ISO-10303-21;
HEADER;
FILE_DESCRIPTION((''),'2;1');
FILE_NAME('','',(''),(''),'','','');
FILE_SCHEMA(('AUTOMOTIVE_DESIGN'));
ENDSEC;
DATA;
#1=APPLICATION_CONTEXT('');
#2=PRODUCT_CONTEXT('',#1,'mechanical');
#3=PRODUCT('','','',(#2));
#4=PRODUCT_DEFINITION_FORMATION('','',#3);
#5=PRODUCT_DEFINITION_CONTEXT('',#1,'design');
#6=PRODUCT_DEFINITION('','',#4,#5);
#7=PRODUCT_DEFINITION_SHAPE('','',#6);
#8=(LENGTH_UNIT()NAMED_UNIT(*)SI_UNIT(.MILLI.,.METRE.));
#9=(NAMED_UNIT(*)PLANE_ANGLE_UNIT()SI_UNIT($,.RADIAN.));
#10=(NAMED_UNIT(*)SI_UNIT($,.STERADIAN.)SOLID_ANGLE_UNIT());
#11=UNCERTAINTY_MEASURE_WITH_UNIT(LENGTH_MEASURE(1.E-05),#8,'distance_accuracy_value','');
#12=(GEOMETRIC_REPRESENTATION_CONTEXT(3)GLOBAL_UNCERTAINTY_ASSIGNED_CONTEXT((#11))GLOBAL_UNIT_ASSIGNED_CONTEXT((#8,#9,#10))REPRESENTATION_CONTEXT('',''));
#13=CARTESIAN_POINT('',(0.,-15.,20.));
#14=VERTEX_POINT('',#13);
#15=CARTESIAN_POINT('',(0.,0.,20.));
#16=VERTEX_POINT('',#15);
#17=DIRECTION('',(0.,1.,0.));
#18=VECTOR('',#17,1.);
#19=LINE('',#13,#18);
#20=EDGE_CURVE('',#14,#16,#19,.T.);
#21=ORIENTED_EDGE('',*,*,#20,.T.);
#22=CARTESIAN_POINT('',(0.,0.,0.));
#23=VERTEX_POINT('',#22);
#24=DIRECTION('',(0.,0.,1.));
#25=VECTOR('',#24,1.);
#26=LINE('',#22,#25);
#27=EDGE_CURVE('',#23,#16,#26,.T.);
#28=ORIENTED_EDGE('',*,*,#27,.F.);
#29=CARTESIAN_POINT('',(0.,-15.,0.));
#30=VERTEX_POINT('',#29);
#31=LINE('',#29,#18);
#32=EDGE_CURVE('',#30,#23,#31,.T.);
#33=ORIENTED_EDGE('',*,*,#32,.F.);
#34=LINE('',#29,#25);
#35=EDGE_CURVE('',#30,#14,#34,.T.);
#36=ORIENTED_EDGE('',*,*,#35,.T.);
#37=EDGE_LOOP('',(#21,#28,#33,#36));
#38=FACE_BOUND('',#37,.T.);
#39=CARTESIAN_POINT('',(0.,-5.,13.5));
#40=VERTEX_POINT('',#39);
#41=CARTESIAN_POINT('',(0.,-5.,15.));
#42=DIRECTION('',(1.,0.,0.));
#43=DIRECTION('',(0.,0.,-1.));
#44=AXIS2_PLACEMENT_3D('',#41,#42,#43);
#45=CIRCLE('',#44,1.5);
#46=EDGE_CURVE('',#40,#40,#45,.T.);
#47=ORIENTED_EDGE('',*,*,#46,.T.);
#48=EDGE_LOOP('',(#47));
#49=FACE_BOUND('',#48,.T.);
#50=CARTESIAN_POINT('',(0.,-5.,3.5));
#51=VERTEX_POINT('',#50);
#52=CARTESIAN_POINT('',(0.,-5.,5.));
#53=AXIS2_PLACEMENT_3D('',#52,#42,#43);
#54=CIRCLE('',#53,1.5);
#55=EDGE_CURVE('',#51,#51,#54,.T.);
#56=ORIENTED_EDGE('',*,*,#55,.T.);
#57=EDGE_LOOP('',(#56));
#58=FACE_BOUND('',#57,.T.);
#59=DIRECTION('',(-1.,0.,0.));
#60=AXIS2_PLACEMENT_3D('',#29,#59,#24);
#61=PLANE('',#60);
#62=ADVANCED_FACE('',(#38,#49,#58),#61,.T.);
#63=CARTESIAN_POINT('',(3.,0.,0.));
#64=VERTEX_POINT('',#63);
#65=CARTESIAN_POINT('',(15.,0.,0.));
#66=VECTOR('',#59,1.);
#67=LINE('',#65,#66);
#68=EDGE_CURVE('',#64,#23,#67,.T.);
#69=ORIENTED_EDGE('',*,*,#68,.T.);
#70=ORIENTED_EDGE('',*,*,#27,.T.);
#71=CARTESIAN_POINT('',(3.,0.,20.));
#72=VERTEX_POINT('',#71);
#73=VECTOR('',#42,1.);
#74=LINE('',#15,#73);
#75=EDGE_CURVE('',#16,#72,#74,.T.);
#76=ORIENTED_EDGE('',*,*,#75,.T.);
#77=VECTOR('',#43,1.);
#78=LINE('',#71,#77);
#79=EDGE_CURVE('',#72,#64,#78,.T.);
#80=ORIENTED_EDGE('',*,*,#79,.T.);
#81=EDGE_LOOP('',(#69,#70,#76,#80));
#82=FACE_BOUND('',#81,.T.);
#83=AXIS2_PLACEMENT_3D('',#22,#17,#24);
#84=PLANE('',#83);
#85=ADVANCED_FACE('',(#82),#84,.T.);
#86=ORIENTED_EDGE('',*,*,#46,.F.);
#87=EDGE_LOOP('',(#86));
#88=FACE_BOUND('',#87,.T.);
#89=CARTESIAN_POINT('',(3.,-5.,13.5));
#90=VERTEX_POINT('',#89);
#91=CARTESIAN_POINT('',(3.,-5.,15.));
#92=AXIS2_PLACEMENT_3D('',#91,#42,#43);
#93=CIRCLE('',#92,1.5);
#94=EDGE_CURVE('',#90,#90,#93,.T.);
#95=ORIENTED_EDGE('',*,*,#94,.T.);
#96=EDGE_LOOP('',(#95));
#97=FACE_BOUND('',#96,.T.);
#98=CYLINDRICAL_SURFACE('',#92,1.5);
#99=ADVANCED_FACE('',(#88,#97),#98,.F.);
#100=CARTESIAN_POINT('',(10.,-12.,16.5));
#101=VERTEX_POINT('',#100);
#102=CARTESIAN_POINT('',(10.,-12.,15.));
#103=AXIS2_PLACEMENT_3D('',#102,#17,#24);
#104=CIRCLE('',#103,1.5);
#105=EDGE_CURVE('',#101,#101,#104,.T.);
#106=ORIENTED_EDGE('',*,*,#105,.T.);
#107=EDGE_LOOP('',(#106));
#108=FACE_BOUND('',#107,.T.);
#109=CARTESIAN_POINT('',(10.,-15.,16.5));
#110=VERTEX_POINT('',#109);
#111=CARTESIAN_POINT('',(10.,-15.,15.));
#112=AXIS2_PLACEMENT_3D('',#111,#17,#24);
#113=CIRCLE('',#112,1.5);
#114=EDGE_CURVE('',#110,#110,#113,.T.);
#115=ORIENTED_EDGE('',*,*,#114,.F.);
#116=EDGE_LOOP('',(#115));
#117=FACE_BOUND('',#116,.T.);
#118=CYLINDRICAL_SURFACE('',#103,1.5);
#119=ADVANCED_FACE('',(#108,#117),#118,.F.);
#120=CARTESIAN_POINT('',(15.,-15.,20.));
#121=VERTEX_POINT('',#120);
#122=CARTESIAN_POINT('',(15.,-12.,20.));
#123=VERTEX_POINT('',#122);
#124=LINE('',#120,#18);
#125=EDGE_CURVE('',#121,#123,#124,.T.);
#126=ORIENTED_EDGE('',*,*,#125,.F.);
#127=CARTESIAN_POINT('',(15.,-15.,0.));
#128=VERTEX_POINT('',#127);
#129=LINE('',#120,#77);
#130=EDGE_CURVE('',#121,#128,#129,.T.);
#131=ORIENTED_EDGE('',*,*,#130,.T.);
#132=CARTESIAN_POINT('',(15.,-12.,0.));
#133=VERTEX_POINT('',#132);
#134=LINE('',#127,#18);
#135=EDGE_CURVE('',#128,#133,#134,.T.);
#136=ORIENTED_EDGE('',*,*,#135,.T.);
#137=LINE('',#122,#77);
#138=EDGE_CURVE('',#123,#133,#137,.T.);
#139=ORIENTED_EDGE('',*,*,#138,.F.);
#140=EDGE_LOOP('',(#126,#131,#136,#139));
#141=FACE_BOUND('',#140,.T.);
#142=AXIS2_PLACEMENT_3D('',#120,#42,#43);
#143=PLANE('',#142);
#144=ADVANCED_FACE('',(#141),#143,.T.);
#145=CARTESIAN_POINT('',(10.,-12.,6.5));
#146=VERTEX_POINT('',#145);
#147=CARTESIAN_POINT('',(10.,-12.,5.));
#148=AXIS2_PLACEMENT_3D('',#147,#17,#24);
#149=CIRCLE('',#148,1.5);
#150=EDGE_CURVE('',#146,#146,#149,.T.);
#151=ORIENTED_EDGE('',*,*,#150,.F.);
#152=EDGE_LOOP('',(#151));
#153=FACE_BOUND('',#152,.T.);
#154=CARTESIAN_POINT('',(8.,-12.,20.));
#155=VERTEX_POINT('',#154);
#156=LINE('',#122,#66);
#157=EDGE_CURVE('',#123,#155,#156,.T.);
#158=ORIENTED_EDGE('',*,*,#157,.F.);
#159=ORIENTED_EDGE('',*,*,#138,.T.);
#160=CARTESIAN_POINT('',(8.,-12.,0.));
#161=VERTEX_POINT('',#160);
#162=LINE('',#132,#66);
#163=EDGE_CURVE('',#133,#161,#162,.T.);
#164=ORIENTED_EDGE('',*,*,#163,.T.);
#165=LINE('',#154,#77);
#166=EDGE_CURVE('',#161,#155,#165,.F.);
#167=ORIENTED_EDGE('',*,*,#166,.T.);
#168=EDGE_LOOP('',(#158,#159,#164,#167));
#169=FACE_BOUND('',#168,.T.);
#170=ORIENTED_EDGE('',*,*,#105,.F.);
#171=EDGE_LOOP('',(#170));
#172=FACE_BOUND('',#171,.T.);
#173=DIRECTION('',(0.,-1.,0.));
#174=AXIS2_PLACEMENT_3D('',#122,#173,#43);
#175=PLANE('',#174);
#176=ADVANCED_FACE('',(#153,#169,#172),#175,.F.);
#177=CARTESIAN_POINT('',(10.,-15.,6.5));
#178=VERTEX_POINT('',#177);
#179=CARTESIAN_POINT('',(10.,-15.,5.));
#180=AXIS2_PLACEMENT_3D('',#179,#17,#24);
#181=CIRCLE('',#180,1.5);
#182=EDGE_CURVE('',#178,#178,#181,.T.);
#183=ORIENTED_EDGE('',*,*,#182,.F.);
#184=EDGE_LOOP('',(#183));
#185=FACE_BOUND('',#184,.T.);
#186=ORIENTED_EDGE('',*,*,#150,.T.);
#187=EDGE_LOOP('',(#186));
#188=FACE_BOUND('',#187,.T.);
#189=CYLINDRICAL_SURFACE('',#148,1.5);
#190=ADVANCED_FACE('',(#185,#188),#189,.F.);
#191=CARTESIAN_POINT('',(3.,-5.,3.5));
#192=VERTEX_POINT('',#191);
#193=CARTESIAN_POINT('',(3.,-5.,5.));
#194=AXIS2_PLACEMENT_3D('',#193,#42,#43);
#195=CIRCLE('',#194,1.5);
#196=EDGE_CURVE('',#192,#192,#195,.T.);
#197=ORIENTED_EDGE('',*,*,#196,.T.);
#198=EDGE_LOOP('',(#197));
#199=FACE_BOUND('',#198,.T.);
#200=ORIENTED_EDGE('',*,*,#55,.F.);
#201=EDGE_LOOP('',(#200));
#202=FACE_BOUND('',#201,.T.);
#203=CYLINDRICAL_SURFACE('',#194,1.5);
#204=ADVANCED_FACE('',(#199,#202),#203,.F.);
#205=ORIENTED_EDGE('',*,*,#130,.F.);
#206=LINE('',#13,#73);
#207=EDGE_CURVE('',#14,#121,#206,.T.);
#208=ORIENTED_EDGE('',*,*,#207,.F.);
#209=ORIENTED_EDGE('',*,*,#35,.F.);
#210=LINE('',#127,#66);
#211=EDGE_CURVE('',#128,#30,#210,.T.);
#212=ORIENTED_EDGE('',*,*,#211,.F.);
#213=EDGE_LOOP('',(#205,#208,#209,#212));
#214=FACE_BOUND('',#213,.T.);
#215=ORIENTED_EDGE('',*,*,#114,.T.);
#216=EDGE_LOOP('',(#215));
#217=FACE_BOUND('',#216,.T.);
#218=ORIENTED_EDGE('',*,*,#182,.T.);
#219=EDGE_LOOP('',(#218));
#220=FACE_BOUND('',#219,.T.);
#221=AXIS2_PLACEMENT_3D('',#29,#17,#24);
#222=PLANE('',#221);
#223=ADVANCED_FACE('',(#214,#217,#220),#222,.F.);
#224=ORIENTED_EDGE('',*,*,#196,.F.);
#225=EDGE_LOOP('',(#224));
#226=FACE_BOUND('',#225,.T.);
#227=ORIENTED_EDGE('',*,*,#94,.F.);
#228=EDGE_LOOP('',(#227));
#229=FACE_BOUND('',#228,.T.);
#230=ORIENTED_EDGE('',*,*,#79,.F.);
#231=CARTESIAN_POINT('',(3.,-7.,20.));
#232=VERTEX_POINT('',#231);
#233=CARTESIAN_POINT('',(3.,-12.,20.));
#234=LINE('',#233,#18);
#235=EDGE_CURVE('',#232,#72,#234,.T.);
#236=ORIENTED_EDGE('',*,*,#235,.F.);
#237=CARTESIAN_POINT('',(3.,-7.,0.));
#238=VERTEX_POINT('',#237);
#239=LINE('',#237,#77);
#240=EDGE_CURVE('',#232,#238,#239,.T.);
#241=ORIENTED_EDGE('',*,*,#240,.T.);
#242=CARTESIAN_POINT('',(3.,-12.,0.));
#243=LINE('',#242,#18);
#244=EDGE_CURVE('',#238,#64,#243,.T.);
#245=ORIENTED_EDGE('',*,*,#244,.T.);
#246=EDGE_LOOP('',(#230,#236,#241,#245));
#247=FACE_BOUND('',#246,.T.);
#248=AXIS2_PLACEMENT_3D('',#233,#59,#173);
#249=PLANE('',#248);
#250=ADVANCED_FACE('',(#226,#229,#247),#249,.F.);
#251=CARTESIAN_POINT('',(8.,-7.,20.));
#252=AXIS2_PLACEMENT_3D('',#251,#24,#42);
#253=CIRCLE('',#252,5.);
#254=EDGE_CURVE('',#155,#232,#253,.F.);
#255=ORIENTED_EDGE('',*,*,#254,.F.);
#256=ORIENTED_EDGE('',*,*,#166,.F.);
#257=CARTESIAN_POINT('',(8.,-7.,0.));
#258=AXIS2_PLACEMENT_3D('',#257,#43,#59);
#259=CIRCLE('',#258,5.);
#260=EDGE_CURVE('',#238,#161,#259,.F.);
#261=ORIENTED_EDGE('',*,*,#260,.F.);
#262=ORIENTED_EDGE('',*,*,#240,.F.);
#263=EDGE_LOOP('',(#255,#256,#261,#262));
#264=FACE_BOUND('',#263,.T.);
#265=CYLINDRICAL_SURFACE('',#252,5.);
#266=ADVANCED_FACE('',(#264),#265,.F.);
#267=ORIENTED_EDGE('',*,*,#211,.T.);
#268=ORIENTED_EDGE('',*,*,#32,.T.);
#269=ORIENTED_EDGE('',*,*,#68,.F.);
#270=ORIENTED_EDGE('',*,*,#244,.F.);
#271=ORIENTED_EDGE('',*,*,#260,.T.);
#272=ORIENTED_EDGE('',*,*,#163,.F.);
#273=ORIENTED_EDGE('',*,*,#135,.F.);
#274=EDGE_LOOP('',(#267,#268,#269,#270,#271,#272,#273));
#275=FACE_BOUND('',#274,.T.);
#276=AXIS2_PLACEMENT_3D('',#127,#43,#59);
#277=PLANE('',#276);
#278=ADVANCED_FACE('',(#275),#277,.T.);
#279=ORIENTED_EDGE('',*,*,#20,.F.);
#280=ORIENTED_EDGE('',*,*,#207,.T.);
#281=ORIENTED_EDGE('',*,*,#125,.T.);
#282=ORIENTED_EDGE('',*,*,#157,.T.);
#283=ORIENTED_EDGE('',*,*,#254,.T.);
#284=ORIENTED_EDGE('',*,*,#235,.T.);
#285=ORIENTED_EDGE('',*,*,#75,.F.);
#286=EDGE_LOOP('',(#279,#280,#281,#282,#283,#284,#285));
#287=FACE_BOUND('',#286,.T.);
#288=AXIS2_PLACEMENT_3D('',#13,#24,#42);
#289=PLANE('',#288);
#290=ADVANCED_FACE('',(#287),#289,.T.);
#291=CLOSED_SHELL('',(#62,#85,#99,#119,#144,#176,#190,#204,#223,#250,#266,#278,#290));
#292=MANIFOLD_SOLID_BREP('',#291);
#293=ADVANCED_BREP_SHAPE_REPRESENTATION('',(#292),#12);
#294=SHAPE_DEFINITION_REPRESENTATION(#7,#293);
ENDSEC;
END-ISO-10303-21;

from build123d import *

# Parameters (mm, degrees)
SKETCH_1_W            = 15
SKETCH_1_H            = 20
EXTRUDE_1_DEPTH       = 15
SKETCH_2_W            = 12
SKETCH_2_H            = 12
CUT_EXTRUDE_1_DEPTH   = 30.154759474
HOLE_WIZARD_3_0_3_1_D = 3
HOLE_WIZARD_3_0_3_2_D = 3
FILLET_1_R            = 5


with BuildPart() as part:
    # 草图1 → 凸台-拉伸1 (new body)
    with BuildSketch(Plane(origin=(0, 0, 0), x_dir=(1, 0, 0), z_dir=(0, 1, 0))):
        with Locations((7.5, -10)):
            Rectangle(SKETCH_1_W, SKETCH_1_H)
    extrude(amount=-EXTRUDE_1_DEPTH)

    # 草图2 → 切除-拉伸1 (cut, through all)
    with BuildSketch(Plane(origin=(0, 0, 0), x_dir=(-1, 0, 0), z_dir=(0, 0, -1))):
        with Locations((-9, -6)):
            Rectangle(SKETCH_2_W, SKETCH_2_H)
    extrude(amount=-CUT_EXTRUDE_1_DEPTH, mode=Mode.SUBTRACT)

    # Ø3.0 (3) 直径孔1 (through all)
    with Locations(Plane(origin=(3, 0, 0), x_dir=(0, 0, -1), z_dir=(1, 0, 0))):
        with Locations((-5, -5), (-15, -5)):
            Hole(HOLE_WIZARD_3_0_3_1_D / 2)

    # Ø3.0 (3) 直径孔2 (through all)
    with Locations(Plane(origin=(0, -12, 0), x_dir=(1, 0, 0), z_dir=(0, 1, 0))):
        with Locations((10, -5), (10, -15)):
            Hole(HOLE_WIZARD_3_0_3_2_D / 2)

    # 圆角1
    fillet_1_edges = [part.edges().sort_by_distance(p)[0] for p in [
        (3, -12, 10),
    ]]
    fillet(fillet_1_edges, radius=FILLET_1_R)


solid = part.part
